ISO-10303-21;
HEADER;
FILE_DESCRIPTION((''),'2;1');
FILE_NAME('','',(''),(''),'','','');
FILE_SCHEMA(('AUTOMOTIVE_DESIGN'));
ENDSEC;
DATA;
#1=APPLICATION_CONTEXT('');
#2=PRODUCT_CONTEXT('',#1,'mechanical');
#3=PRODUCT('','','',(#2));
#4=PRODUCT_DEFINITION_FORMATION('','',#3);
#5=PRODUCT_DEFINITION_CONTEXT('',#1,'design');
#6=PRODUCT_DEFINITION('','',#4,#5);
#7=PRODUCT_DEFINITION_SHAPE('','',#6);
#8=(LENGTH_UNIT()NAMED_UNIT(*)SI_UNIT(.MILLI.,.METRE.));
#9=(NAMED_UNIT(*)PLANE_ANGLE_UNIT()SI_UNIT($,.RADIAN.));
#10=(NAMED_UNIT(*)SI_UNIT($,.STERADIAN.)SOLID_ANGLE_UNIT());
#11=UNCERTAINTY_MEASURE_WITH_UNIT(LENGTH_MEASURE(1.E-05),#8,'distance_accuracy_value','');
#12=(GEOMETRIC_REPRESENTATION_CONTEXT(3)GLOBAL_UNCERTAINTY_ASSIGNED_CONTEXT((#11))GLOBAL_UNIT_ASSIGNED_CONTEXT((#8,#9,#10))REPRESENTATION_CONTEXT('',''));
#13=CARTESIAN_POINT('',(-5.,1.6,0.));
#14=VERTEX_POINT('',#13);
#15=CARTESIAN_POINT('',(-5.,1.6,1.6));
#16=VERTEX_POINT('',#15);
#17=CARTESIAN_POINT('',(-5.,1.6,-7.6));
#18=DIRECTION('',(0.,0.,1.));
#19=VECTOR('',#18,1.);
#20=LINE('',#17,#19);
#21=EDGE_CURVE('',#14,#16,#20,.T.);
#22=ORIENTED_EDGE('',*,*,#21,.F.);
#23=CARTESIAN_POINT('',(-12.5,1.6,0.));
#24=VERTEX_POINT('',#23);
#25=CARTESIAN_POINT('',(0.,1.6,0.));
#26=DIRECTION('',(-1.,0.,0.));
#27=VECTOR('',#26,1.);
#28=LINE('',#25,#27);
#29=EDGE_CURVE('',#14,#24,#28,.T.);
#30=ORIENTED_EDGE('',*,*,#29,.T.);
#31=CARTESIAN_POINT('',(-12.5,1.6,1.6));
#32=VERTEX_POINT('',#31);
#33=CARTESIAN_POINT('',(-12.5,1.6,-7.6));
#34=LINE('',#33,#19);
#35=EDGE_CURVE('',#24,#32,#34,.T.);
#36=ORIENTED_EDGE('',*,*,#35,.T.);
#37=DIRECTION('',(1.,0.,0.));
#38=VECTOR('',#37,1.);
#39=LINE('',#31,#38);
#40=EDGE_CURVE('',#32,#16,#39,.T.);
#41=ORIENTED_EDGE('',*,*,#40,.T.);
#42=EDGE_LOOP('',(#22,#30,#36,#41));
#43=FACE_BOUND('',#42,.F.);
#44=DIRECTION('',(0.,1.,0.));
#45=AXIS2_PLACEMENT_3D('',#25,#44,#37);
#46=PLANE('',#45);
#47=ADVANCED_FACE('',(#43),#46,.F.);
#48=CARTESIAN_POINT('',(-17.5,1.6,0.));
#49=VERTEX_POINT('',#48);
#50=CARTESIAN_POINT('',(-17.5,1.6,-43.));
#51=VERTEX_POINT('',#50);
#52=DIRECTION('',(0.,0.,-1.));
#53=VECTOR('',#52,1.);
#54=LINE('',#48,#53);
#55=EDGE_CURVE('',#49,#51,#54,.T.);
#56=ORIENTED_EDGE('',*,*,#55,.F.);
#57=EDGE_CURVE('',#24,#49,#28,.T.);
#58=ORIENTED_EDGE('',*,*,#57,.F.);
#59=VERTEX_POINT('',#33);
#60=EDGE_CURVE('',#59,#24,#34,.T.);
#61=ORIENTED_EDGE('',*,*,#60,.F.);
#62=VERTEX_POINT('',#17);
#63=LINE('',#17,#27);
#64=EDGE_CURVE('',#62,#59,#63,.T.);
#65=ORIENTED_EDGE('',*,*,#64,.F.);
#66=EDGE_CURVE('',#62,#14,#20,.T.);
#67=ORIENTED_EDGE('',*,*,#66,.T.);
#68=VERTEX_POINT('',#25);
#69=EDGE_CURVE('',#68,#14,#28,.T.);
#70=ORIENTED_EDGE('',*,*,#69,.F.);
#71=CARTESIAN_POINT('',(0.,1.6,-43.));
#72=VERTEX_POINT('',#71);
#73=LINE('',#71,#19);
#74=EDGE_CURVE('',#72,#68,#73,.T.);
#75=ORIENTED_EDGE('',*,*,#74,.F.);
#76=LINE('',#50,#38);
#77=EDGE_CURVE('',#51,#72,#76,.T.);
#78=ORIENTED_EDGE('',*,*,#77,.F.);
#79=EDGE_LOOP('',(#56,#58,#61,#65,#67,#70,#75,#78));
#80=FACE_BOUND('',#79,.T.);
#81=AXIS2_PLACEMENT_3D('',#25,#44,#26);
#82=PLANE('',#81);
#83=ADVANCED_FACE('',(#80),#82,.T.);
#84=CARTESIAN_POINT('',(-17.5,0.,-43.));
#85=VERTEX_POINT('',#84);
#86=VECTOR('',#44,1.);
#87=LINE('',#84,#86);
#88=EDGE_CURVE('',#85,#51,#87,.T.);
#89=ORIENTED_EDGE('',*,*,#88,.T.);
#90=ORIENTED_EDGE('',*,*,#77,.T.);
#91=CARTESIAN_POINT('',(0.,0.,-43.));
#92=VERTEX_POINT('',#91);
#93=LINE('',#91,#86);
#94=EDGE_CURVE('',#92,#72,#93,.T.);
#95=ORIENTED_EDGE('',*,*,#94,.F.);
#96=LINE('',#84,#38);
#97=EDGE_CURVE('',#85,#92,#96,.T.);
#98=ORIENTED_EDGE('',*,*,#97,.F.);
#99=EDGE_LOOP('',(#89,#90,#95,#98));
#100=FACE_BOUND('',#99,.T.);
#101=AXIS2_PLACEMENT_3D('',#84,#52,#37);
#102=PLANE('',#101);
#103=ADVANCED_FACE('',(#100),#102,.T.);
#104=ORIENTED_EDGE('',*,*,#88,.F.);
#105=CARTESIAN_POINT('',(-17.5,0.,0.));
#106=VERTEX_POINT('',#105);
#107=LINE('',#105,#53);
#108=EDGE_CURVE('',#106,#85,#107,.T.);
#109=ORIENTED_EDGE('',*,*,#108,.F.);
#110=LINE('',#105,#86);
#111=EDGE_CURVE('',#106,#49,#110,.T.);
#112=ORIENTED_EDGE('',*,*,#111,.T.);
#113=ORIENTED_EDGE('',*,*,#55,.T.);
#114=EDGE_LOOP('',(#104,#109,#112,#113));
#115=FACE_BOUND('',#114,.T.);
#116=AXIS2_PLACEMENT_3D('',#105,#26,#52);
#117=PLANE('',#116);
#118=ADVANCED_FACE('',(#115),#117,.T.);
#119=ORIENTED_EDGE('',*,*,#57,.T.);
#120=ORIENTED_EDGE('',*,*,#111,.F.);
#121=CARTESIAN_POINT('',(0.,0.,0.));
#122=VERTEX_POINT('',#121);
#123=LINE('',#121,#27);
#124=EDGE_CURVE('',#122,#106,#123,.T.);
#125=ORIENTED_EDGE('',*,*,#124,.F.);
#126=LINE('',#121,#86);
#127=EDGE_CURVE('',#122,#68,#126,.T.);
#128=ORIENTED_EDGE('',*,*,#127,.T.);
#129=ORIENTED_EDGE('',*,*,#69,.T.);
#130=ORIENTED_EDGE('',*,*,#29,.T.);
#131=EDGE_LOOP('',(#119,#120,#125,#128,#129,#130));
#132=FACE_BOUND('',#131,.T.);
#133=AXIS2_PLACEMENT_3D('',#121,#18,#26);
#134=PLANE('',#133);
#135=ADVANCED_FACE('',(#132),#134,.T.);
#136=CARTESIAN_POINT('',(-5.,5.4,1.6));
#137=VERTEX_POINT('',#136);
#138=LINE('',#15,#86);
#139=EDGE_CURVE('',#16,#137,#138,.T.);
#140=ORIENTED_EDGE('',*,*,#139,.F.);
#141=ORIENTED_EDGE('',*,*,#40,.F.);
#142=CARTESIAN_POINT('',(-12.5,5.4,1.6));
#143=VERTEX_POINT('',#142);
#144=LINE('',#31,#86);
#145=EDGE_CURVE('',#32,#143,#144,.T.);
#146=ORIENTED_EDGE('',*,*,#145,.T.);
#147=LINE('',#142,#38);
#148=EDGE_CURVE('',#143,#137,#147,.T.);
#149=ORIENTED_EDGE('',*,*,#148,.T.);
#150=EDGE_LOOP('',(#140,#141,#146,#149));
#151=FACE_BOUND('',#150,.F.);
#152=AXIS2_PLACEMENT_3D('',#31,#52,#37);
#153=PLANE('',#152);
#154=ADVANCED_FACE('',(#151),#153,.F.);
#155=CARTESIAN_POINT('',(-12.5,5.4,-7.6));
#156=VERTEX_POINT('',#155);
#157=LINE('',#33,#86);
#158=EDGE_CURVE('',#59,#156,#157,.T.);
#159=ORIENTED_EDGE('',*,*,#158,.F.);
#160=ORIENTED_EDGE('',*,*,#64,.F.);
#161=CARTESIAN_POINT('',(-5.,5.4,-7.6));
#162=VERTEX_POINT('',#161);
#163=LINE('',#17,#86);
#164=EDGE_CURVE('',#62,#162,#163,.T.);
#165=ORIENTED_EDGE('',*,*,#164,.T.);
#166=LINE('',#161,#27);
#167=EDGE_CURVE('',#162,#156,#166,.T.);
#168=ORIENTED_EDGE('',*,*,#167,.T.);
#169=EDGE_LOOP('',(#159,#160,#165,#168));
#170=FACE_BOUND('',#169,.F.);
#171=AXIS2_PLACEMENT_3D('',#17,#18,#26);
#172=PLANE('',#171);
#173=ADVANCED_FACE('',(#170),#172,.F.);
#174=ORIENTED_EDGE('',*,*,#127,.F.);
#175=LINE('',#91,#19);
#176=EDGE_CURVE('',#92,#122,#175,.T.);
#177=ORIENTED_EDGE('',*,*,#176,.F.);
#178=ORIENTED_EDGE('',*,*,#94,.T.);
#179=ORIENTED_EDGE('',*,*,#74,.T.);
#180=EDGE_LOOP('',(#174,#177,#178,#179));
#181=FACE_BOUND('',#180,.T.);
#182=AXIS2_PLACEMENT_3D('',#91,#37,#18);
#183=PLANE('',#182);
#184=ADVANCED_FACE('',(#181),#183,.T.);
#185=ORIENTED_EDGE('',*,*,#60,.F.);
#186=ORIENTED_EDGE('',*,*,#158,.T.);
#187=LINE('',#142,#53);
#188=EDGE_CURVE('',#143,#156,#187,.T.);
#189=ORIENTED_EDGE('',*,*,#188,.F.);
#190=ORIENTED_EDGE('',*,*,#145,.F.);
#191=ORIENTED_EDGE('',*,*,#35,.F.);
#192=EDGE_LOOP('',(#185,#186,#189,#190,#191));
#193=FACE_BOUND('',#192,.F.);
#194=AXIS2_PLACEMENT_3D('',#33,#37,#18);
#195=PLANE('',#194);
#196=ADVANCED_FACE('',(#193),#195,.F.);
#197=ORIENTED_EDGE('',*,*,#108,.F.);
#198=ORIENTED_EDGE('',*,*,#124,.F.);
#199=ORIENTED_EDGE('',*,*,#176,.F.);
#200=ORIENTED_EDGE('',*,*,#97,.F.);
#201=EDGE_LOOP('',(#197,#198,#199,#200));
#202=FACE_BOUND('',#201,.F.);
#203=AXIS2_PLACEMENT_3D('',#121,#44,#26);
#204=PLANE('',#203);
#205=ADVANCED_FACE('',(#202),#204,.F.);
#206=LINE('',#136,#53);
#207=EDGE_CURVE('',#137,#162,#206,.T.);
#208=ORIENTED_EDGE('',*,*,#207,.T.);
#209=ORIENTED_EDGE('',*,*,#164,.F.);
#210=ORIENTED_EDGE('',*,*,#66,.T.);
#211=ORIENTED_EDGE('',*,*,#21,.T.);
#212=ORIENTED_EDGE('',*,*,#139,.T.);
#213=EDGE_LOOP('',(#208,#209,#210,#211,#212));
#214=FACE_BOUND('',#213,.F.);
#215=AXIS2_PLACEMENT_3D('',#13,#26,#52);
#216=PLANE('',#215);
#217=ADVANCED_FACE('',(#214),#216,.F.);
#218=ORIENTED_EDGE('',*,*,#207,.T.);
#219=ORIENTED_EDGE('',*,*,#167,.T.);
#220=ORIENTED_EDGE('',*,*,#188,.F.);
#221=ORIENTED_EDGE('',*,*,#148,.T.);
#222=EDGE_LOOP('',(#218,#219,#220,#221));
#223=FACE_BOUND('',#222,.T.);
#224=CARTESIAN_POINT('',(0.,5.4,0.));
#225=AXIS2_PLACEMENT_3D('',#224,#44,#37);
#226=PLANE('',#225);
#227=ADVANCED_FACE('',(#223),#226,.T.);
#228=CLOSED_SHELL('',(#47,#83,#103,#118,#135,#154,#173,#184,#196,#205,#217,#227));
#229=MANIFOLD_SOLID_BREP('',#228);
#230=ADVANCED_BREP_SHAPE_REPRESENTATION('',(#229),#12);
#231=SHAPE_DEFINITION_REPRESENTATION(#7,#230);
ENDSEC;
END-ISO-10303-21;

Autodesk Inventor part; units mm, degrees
ref_plane "YZ Plane" through (0, 0, 0) normal (1, 0, 0) x (0, 1, 0)
ref_plane "XZ Plane" through (0, 0, 0) normal (0, 1, 0) x (-1, 0, 0)
ref_plane "XY Plane" through (0, 0, 0) normal (0, 0, 1) x (1, 0, 0)
sketch "Sketch1" plane through (0, 0, 0) normal (0, 1, 0) x (-1, 0, 0)
  line L0 (0, 0) -> (17.5, 0)
  line L1 (17.5, 0) -> (17.5, -43)
  line L2 (17.5, -43) -> (0, -43)
  line L3 (0, -43) -> (0, 0)
  dimension "d0" = 43
  dimension "d1" = 17.5
extrude "Extrusion1" add sketch "Sketch1" along normal blind 1.6
sketch "Sketch2" plane through (0, 1.6, 0) normal (0, 1, 0) x (1, 0, 0)
  line L0 (-17.5, 0) -> (0, 0) projected
  line L1 (-8.75, 0) -> (-8.75, 8.3818) construction
  line L2 (-5, 7.6) -> (-12.5, 7.6)
  line L3 (-12.5, 7.6) -> (-12.5, -1.6)
  line L4 (-12.5, -1.6) -> (-5, -1.6)
  line L5 (-5, -1.6) -> (-5, 7.6)
  line L6 (-5, 7.6) -> (-12.5, -1.6) construction
  line L7 (-12.5, 7.6) -> (-5, -1.6) construction
  point P0 (-8.75, 3)
  dimension "d4" = 9.2
  dimension "d5" = 7.5
  dimension "d6" = 1.6
extrude "Extrusion2" add sketch "Sketch2" along normal blind 3.8
properties part number "Arduino"
